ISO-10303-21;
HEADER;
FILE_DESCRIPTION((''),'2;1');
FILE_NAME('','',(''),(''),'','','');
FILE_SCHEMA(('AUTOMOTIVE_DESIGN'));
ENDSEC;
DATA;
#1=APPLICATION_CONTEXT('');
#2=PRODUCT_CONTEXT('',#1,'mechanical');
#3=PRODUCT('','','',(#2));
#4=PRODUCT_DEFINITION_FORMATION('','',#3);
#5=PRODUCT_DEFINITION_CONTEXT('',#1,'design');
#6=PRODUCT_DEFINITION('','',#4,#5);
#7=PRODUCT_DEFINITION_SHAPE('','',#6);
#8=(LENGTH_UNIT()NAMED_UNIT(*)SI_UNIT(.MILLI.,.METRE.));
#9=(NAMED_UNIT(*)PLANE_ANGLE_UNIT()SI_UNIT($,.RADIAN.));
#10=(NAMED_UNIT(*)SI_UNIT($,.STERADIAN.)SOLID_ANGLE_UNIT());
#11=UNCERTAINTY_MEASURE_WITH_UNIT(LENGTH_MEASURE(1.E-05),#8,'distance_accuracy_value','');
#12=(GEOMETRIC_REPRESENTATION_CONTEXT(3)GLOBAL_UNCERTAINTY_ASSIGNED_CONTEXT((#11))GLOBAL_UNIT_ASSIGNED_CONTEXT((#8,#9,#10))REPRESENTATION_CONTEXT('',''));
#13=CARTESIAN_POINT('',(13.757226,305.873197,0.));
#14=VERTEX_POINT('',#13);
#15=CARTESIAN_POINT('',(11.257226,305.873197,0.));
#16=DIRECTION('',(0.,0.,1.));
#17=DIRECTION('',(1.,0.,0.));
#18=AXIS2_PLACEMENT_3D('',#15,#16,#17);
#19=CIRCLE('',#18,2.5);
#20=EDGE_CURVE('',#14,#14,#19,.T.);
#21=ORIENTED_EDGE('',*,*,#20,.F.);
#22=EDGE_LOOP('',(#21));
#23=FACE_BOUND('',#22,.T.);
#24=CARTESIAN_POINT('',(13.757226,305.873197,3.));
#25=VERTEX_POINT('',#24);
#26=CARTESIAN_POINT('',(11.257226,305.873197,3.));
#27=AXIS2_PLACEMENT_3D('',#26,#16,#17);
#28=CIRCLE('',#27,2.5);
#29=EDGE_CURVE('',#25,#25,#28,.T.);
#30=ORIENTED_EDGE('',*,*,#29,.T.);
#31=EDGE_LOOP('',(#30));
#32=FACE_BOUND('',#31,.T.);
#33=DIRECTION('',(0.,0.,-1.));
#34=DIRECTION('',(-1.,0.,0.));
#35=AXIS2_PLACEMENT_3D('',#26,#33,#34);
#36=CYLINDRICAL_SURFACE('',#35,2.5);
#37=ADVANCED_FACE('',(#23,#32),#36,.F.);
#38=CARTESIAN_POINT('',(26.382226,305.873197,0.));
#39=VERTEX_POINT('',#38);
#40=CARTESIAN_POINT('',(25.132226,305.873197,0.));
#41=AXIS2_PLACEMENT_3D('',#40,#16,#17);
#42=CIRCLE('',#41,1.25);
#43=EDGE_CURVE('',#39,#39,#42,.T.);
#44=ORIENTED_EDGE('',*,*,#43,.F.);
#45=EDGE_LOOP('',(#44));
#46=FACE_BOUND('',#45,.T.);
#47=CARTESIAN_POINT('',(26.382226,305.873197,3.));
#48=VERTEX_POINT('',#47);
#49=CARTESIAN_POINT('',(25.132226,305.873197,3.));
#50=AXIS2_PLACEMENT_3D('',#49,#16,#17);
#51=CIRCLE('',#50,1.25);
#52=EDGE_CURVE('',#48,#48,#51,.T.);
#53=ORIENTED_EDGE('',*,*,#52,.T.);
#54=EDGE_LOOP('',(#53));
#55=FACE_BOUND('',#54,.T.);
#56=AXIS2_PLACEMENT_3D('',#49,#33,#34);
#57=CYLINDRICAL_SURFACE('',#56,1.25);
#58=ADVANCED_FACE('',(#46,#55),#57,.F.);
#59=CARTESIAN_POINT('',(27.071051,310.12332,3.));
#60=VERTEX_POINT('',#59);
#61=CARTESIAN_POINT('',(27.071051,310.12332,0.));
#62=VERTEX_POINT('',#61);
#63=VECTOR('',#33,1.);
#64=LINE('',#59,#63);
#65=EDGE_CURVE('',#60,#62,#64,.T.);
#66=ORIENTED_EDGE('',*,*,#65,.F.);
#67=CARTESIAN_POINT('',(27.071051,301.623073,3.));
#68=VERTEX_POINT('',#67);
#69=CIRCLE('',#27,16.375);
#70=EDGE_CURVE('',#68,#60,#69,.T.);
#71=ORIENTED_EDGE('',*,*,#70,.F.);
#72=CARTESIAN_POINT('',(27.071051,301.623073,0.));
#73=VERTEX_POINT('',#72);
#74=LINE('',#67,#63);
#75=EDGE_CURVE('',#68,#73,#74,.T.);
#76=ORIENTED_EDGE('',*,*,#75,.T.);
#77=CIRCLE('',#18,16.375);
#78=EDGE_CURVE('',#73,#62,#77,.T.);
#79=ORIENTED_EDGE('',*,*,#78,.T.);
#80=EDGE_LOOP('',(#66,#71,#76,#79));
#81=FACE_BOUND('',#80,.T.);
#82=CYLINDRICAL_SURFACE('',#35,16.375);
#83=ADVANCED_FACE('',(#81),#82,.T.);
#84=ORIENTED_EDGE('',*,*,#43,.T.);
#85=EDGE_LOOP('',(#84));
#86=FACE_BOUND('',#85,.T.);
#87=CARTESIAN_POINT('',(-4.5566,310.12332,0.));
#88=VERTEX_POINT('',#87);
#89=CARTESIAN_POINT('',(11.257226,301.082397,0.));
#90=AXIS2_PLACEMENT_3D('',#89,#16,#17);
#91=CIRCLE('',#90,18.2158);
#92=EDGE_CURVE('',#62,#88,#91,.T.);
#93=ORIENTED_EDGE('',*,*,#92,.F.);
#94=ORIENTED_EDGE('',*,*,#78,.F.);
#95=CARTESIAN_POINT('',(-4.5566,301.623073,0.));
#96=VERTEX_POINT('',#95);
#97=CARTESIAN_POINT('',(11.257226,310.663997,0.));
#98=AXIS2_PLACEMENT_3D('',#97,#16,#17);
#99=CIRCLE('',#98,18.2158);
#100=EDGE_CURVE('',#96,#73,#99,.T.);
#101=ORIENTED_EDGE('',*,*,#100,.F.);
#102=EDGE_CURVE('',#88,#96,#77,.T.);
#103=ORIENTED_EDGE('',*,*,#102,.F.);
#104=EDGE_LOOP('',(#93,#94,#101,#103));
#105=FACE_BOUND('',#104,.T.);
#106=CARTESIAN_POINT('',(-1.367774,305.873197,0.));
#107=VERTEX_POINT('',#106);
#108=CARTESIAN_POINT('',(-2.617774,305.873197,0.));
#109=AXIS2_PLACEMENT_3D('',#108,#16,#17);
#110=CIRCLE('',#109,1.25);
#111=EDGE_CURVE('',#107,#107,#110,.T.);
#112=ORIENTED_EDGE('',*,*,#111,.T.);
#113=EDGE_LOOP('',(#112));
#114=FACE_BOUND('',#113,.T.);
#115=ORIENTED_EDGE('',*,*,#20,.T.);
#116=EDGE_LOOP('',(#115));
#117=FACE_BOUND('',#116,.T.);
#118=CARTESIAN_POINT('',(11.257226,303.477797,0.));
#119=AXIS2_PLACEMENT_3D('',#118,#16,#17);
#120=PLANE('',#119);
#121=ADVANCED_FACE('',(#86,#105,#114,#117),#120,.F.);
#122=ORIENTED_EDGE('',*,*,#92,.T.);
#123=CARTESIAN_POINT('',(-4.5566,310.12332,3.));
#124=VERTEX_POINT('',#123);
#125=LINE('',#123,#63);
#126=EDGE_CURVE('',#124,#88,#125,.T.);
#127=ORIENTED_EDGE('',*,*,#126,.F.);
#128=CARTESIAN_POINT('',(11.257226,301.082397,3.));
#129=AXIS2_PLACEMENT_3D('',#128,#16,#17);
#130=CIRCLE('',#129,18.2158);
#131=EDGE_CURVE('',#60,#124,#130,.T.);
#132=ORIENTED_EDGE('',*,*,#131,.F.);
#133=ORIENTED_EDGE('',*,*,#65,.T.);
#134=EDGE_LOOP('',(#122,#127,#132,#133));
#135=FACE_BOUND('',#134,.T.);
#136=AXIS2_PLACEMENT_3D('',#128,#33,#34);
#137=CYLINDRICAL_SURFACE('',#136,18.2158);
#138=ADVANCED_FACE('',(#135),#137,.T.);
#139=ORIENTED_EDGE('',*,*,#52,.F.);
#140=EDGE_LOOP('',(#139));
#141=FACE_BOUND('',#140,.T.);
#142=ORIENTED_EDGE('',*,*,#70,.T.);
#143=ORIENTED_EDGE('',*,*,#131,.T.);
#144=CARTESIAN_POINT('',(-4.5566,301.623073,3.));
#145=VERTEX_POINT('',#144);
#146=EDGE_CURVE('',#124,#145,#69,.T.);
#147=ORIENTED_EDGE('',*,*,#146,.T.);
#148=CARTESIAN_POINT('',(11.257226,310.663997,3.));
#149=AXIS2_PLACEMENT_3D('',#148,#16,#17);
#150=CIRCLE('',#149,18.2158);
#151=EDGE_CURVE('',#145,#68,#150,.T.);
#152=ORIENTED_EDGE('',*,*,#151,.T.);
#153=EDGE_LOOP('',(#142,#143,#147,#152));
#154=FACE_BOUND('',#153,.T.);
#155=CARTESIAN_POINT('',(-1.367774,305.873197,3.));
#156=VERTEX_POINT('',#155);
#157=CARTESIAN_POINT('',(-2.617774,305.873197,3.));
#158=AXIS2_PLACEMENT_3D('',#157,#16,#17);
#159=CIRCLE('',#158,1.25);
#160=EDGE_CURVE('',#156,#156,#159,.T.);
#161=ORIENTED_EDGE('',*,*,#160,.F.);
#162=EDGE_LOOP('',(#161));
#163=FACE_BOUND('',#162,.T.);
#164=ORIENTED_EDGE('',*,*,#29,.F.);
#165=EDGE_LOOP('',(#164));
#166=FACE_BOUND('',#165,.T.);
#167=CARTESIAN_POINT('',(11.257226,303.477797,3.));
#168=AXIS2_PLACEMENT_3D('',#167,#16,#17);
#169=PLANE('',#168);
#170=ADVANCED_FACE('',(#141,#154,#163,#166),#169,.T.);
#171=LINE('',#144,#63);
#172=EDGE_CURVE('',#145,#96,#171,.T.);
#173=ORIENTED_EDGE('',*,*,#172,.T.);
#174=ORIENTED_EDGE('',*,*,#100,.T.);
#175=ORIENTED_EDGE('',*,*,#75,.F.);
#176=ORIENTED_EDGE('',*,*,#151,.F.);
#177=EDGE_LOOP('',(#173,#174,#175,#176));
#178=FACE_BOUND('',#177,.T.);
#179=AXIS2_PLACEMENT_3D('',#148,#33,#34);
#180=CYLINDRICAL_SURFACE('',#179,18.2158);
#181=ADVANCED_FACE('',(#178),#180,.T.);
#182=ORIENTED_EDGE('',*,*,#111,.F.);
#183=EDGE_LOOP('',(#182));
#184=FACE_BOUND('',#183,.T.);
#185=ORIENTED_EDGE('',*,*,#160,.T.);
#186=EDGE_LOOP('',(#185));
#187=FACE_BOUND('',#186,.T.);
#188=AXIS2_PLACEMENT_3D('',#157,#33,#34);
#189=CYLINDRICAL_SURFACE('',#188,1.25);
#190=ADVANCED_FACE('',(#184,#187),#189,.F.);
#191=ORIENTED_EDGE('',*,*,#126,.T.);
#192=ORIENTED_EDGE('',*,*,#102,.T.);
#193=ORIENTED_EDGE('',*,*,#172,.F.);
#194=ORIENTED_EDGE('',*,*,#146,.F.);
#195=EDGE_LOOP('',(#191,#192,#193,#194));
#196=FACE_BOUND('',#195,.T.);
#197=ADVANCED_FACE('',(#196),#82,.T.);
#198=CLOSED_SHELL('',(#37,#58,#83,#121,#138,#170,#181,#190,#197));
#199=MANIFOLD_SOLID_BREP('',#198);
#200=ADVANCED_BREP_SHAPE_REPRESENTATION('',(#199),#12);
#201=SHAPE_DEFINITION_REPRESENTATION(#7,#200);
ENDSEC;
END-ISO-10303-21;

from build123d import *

# Parameters (mm, degrees)
SKETCH3_R           = 2.5
SKETCH3_R_2         = 1.25
BOSS_EXTRUDE1_DEPTH = 3


with BuildPart() as part:
    # Sketch3 → Boss-Extrude1 (new body)
    with BuildSketch(Plane.XY):
        with BuildLine():
            ThreePointArc((-4.55659993, 310.123320359), (-5.117774469, 305.873196916), (-4.55659993, 301.623073473))
            ThreePointArc((-4.55659993, 301.623073473), (11.257225531, 292.448196916), (27.071050992, 301.623073473))
            ThreePointArc((27.071050992, 301.623073473), (27.632225531, 305.873196916), (27.071050992, 310.123320359))
            ThreePointArc((27.071050992, 310.123320359), (11.257225531, 319.298196916), (-4.55659993, 310.123320359))
        make_face()
        with Locations((11.257225531, 305.873196916)):
            Circle(SKETCH3_R, mode=Mode.SUBTRACT)
        with Locations((25.132225531, 305.873196916)):
            Circle(SKETCH3_R_2, mode=Mode.SUBTRACT)
        with Locations((-2.617774469, 305.873196916)):
            Circle(SKETCH3_R_2, mode=Mode.SUBTRACT)
    extrude(amount=BOSS_EXTRUDE1_DEPTH)


solid = part.part
